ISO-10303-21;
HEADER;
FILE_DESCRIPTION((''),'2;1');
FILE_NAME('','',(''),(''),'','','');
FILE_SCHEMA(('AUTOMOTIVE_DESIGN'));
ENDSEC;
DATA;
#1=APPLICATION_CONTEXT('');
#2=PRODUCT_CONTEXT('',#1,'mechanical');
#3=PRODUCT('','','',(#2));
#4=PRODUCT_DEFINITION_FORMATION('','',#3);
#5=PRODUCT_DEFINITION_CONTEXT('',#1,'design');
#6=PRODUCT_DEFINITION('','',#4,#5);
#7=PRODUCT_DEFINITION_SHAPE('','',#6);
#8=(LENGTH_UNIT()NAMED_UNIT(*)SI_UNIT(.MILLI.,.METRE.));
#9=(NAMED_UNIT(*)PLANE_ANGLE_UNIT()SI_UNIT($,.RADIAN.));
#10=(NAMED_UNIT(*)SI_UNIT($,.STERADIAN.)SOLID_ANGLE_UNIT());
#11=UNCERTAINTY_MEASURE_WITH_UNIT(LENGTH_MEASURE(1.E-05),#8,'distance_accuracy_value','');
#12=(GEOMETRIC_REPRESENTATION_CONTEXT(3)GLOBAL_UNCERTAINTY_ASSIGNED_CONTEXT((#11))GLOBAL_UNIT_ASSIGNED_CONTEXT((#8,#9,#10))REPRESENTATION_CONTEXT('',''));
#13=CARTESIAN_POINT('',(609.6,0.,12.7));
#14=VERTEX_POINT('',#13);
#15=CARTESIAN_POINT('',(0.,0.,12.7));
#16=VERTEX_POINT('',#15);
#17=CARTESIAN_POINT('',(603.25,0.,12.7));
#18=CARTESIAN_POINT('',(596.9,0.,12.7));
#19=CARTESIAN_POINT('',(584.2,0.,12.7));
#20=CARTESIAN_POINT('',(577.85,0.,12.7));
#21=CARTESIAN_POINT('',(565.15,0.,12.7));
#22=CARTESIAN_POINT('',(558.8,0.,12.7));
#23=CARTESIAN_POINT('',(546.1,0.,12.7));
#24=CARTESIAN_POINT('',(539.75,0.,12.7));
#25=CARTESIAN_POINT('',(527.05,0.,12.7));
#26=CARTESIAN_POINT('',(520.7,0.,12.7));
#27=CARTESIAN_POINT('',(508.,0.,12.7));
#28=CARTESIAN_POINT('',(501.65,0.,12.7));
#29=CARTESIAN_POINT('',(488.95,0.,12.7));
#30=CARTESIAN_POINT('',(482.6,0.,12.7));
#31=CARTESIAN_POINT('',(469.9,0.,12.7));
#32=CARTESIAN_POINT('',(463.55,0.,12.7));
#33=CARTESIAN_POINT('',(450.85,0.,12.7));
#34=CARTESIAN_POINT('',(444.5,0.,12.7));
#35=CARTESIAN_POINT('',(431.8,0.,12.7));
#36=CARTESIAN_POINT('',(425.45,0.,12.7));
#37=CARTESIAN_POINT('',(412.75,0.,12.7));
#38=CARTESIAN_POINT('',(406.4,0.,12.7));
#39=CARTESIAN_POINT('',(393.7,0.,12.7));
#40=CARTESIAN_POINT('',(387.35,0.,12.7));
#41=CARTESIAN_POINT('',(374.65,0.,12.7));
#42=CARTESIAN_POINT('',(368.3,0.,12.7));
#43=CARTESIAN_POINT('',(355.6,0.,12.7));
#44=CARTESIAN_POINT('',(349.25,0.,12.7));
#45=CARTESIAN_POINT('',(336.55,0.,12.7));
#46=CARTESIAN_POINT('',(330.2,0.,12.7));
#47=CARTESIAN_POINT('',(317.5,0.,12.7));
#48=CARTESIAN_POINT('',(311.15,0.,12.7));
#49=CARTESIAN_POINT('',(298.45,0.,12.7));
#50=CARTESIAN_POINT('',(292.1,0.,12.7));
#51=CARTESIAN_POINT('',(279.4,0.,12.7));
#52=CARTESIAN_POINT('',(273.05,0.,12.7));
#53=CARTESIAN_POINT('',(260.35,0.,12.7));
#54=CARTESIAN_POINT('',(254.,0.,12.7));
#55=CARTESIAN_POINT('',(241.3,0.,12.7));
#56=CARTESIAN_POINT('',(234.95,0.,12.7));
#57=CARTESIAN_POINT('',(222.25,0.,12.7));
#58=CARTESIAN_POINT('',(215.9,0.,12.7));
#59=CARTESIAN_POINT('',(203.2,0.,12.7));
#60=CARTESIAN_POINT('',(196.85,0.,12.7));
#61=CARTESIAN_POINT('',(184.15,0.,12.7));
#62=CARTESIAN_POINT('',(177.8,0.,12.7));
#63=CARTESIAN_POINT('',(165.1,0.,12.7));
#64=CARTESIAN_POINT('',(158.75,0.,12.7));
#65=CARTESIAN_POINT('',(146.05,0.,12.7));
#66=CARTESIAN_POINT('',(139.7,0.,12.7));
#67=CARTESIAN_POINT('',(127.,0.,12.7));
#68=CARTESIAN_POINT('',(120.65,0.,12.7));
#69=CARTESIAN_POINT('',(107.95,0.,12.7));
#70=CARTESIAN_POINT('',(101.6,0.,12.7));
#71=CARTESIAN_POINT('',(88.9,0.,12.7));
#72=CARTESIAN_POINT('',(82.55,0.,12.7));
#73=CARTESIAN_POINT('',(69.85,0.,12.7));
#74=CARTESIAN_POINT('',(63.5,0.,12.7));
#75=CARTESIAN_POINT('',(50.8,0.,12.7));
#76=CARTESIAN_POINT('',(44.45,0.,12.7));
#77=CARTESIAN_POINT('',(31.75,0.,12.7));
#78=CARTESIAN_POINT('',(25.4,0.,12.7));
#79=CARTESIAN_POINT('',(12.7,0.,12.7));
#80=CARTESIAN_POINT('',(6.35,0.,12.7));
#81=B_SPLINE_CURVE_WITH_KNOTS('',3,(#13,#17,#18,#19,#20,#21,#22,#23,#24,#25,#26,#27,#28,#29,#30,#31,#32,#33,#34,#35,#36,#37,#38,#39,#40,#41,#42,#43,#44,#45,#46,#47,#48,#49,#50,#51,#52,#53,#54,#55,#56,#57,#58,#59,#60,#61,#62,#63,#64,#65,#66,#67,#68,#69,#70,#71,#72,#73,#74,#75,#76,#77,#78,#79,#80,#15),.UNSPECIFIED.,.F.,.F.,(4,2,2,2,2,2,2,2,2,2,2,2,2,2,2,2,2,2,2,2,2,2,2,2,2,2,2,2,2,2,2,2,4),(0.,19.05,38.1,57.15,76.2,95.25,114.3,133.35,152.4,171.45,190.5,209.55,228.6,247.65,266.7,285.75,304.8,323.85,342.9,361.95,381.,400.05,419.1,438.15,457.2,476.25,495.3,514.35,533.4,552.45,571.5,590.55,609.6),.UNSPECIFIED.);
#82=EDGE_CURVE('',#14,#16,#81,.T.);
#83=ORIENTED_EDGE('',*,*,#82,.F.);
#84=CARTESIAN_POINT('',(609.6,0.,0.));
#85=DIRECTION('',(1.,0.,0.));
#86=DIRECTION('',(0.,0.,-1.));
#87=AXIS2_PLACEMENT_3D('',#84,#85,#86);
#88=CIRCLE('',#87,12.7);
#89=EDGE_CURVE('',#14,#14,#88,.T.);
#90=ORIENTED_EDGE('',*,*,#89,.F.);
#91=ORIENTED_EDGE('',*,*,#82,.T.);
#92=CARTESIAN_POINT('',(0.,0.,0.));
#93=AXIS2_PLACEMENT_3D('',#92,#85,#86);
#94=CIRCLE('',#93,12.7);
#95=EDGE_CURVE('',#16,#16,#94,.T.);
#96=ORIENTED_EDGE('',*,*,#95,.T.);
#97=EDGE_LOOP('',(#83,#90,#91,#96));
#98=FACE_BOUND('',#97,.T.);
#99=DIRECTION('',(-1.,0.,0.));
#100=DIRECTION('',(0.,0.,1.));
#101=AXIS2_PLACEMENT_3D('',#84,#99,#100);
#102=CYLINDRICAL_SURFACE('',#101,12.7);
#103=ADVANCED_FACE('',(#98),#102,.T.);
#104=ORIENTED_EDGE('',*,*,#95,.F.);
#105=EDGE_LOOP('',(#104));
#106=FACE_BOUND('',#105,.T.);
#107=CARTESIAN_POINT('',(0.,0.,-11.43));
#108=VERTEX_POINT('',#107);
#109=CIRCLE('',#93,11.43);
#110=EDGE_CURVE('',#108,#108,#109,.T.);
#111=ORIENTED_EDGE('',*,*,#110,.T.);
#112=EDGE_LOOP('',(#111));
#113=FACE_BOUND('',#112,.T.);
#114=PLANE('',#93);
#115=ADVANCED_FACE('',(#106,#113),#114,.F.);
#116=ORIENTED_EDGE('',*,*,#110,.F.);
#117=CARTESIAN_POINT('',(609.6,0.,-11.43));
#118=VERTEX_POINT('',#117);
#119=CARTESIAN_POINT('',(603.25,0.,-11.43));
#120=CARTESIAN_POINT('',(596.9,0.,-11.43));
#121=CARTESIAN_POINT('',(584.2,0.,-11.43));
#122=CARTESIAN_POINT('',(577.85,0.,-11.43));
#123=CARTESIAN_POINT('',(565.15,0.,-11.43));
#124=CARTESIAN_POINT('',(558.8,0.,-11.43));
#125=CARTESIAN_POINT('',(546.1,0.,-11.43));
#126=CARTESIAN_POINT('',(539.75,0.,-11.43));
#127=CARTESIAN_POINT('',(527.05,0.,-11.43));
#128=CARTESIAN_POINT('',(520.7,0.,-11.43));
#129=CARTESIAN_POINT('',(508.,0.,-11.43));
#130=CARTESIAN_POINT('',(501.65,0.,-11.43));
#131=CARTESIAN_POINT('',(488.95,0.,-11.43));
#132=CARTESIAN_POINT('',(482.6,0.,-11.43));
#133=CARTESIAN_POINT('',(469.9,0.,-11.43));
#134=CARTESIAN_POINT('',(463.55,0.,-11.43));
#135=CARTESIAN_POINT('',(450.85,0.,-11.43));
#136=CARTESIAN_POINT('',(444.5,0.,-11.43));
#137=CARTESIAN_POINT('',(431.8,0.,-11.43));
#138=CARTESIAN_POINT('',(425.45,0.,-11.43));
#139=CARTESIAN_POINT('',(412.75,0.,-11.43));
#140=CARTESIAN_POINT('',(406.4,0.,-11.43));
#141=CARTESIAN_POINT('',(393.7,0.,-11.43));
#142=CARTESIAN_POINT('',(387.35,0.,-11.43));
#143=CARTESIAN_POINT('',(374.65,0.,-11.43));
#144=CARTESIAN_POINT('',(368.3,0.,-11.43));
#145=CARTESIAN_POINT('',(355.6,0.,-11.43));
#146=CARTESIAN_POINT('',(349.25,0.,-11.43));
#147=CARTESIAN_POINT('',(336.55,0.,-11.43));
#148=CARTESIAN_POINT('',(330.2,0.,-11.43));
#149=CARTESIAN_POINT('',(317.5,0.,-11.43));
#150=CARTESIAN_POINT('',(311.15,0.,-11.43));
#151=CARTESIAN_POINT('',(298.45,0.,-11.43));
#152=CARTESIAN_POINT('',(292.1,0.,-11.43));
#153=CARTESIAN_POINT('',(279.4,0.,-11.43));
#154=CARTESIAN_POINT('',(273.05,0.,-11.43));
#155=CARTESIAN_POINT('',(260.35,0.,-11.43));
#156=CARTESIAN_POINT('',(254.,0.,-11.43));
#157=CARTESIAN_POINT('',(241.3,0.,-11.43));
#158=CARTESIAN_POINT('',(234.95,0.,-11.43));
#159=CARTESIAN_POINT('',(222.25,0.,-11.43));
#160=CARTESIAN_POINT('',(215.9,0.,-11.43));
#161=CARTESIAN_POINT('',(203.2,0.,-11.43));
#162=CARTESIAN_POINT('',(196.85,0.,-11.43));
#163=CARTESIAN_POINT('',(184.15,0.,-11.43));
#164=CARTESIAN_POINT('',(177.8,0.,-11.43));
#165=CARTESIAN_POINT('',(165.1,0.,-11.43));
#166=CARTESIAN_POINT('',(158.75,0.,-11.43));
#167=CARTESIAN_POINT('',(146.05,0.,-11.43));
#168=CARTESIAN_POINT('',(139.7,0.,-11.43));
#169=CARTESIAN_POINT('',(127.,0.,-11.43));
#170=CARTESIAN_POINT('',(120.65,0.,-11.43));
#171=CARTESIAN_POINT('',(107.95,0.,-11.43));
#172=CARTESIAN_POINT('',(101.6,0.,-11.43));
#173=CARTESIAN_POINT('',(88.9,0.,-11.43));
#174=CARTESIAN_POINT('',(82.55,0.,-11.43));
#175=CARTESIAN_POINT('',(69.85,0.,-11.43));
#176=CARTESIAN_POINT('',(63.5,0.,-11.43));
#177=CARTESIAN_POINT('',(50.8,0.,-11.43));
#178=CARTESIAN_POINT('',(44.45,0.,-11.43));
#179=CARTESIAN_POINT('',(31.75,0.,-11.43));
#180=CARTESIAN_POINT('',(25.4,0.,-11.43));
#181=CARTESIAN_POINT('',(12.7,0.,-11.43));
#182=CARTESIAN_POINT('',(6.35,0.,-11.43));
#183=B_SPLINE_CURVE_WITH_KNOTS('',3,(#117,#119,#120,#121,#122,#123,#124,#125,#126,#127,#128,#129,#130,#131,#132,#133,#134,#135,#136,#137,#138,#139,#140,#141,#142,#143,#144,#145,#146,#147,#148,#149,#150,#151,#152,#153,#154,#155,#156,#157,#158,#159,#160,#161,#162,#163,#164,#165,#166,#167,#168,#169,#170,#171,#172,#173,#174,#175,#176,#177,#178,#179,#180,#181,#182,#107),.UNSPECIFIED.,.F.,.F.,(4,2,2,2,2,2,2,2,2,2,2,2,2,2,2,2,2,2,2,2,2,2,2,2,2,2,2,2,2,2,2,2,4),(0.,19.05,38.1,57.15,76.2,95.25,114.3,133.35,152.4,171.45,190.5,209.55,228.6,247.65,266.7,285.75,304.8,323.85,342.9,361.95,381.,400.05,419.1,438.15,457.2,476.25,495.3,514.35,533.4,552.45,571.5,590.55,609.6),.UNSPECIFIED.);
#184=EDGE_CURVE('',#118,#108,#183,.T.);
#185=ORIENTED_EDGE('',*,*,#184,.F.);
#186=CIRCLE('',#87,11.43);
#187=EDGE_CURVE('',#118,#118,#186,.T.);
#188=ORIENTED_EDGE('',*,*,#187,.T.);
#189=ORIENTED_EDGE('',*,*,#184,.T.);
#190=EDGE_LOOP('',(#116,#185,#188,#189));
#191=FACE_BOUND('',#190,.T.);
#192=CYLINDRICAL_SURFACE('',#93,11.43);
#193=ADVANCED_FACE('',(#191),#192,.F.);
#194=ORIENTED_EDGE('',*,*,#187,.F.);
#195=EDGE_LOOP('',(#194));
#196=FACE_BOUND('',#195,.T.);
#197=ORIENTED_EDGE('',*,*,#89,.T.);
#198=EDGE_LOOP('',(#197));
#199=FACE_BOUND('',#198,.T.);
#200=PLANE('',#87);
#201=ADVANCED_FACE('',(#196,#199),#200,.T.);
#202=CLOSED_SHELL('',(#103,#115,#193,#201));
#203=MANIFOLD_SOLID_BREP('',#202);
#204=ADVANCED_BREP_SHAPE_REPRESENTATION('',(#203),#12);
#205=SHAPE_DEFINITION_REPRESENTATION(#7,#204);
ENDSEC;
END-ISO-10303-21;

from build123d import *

# Parameters (mm, degrees)
SKETCH1_R               = 12.7
BOSS_EXTRUDE1_DEPTH     = 609.6
CUT_EXTRUDE1_DEPTH      = 610.86452594
CUT_EXTRUDE1_DEPTH_BACK = 610.86452594
SKETCH2_R               = 11.43


with BuildPart() as part:
    # Sketch1 → Boss-Extrude1 (new body)
    with BuildSketch(Plane(origin=(0, 0, 0), x_dir=(0, 0, -1), z_dir=(1, 0, 0))):
        with Locations(Location((0, 0, 0), (0, 0, 180))):
            Circle(SKETCH1_R)
    extrude(amount=BOSS_EXTRUDE1_DEPTH)

    # Sketch2 → Cut-Extrude1 (cut, two sides: drawn at the far end of the back side and taken through both)
    with BuildSketch(Plane(origin=(609.6, 0, 0), x_dir=(0, 0, -1), z_dir=(1, 0, 0)).offset(-CUT_EXTRUDE1_DEPTH_BACK)):
        Circle(SKETCH2_R)
    extrude(amount=CUT_EXTRUDE1_DEPTH + CUT_EXTRUDE1_DEPTH_BACK, mode=Mode.SUBTRACT)


solid = part.part
